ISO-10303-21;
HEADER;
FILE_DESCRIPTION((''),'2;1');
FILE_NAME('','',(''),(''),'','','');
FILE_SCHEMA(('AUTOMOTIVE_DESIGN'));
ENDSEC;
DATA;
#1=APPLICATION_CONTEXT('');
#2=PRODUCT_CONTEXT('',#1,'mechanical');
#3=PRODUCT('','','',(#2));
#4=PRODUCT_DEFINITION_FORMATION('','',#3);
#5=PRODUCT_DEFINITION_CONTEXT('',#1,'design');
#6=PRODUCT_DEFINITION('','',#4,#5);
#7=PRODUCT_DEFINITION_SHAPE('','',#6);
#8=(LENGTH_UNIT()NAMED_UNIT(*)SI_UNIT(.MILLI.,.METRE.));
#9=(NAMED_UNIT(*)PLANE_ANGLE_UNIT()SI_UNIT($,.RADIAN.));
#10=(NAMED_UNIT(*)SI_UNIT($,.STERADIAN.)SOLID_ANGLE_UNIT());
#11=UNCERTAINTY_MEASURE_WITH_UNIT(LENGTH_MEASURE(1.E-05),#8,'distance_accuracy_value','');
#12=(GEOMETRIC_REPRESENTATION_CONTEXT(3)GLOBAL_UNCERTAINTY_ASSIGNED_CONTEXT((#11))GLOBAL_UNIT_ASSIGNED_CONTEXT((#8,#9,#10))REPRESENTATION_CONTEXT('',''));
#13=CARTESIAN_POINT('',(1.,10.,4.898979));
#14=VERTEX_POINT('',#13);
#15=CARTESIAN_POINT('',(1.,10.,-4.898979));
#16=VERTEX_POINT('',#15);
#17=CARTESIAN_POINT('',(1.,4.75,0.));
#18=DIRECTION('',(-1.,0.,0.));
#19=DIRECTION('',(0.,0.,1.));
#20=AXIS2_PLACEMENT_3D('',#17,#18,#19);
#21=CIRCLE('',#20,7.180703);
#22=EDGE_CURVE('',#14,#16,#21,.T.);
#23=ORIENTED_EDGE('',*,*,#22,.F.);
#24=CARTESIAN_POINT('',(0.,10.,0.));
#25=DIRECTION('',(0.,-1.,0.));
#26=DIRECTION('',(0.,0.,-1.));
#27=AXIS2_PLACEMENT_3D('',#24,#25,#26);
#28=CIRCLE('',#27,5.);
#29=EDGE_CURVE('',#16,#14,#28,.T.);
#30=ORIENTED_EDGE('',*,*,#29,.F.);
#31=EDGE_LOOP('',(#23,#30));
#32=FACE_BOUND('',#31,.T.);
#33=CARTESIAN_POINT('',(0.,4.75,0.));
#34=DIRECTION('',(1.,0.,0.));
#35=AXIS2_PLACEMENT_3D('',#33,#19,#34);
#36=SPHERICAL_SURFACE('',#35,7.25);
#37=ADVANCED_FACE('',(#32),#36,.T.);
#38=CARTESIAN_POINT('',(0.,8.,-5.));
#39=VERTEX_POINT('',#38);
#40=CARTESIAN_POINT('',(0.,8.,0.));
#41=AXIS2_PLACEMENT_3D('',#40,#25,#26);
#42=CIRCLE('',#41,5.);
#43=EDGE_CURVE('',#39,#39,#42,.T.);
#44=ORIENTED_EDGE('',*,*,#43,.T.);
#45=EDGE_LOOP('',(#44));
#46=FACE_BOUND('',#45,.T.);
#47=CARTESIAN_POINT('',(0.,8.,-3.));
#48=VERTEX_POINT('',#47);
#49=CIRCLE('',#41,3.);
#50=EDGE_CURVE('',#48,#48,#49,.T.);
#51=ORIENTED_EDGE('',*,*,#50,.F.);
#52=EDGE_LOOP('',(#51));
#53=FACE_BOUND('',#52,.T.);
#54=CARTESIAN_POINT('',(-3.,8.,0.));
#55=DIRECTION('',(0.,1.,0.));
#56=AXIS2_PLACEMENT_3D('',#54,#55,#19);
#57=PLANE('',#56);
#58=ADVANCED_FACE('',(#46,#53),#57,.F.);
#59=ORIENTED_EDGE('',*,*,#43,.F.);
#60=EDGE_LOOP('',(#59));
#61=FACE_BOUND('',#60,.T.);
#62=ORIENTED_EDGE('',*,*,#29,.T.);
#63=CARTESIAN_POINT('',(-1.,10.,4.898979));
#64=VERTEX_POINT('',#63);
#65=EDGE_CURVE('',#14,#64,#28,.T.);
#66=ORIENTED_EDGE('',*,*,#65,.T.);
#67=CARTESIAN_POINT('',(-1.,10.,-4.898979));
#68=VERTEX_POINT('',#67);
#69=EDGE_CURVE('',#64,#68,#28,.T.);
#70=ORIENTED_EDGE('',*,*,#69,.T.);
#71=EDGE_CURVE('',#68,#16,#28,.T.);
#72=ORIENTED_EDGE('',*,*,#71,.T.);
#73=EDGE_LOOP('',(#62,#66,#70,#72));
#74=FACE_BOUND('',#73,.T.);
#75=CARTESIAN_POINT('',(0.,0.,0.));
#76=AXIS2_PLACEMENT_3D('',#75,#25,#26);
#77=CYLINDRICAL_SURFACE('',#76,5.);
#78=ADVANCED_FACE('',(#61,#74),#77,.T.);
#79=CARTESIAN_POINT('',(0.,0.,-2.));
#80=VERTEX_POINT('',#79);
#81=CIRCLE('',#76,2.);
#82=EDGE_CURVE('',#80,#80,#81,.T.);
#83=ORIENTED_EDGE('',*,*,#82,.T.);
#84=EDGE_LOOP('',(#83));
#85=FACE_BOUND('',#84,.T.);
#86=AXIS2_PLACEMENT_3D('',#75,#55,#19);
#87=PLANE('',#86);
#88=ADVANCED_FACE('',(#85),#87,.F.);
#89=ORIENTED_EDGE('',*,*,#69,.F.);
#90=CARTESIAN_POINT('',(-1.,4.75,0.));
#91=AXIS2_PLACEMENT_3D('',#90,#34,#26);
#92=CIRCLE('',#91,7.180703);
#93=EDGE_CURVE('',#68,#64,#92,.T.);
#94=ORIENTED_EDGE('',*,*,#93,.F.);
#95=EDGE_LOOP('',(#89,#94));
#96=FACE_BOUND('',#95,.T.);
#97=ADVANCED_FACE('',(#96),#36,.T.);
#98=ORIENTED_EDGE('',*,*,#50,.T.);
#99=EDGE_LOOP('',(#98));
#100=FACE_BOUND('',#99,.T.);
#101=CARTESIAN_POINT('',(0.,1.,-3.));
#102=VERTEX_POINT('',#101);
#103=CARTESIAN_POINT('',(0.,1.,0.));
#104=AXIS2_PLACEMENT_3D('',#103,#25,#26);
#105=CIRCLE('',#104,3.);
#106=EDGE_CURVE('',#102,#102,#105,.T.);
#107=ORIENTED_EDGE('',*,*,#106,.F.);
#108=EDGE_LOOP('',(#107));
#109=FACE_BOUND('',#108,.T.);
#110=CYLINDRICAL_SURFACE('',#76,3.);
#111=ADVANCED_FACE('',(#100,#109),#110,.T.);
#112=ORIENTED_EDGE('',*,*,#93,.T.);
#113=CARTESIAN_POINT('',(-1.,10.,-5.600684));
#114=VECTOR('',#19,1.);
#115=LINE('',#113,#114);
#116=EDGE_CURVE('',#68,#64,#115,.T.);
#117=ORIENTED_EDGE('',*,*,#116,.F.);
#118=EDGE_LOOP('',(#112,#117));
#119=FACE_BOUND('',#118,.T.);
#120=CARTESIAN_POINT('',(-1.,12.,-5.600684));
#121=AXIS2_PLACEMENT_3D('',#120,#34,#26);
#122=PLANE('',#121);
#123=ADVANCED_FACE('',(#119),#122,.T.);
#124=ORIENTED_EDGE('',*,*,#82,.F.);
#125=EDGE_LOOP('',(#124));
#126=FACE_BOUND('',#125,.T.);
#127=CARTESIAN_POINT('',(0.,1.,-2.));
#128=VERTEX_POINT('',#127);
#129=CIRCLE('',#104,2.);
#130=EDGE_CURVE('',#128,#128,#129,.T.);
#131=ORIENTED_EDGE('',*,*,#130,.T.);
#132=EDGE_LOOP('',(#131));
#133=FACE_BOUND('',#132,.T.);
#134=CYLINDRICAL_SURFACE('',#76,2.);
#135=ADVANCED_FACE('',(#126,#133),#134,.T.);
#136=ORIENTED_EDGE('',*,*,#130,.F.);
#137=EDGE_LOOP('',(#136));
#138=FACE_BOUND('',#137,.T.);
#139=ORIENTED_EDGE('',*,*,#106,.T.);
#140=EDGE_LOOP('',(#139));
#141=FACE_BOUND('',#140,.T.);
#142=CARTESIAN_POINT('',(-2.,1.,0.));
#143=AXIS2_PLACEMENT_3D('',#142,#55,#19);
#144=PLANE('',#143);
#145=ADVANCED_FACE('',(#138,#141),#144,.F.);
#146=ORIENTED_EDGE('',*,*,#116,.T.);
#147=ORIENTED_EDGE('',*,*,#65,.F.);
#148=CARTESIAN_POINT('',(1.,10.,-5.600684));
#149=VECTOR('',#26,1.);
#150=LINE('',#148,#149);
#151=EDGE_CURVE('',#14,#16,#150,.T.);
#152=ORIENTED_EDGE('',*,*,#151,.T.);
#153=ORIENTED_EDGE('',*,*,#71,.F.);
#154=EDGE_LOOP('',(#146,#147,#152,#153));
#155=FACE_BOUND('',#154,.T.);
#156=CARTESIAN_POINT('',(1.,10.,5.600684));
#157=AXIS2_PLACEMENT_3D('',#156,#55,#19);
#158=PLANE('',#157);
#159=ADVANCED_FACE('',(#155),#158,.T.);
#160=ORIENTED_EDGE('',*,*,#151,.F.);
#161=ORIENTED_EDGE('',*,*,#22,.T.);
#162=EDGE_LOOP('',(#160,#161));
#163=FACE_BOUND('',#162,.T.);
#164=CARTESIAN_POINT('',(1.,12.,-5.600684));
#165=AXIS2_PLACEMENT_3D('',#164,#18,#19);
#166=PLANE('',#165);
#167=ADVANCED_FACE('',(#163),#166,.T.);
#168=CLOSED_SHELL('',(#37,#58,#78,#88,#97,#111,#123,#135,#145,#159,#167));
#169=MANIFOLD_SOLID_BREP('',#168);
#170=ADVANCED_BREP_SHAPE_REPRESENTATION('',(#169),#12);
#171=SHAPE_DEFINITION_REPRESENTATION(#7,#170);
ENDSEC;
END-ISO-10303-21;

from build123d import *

# Parameters (mm, degrees)
DOME4_FACE_RADIUS = 5
DOME4_HEIGHT      = 2
SKETCH3_W         = 2
SKETCH3_H         = 11.201368044
EXTRUDE3_DEPTH    = 2


with BuildPart() as part:
    # Sketch1 → Revolve3 (revolve)
    with BuildSketch(Plane.XY, mode=Mode.PRIVATE) as revolve3_sk:
        Polygon((0, 0), (-2, 0), (-2, 1), (-3, 1), (-3, 8), (-5, 8), (-5, 10), (0, 10), align=None)
    revolve(revolve3_sk.sketch.rotate(Axis((0, 0, 0), (0, 1, 0)), 270), axis=Axis((0, 0, 0), (0, 1, 0)))

    # Dome4: a dome of height H over a round flat face of radius A is a cap of a sphere of radius (A * A + H * H) / (2 * H)
    dome4_r = (DOME4_FACE_RADIUS * DOME4_FACE_RADIUS + DOME4_HEIGHT * DOME4_HEIGHT) / (2 * DOME4_HEIGHT)
    dome4_base = Plane((0, 10, 0), z_dir=(0, 1, 0))
    with Locations(dome4_base.offset(DOME4_HEIGHT - dome4_r)):
        dome4_ball = Sphere(dome4_r, mode=Mode.PRIVATE)
    add(split(dome4_ball, bisect_by=dome4_base, keep=Keep.TOP, mode=Mode.PRIVATE))

    # Sketch3 → Extrude3 (cut)
    with BuildSketch(Plane(origin=(0, 10, 0), x_dir=(1, 0, 0), z_dir=(0, 1, 0))):
        Rectangle(SKETCH3_W, SKETCH3_H)
    extrude(amount=EXTRUDE3_DEPTH, mode=Mode.SUBTRACT)


solid = part.part
